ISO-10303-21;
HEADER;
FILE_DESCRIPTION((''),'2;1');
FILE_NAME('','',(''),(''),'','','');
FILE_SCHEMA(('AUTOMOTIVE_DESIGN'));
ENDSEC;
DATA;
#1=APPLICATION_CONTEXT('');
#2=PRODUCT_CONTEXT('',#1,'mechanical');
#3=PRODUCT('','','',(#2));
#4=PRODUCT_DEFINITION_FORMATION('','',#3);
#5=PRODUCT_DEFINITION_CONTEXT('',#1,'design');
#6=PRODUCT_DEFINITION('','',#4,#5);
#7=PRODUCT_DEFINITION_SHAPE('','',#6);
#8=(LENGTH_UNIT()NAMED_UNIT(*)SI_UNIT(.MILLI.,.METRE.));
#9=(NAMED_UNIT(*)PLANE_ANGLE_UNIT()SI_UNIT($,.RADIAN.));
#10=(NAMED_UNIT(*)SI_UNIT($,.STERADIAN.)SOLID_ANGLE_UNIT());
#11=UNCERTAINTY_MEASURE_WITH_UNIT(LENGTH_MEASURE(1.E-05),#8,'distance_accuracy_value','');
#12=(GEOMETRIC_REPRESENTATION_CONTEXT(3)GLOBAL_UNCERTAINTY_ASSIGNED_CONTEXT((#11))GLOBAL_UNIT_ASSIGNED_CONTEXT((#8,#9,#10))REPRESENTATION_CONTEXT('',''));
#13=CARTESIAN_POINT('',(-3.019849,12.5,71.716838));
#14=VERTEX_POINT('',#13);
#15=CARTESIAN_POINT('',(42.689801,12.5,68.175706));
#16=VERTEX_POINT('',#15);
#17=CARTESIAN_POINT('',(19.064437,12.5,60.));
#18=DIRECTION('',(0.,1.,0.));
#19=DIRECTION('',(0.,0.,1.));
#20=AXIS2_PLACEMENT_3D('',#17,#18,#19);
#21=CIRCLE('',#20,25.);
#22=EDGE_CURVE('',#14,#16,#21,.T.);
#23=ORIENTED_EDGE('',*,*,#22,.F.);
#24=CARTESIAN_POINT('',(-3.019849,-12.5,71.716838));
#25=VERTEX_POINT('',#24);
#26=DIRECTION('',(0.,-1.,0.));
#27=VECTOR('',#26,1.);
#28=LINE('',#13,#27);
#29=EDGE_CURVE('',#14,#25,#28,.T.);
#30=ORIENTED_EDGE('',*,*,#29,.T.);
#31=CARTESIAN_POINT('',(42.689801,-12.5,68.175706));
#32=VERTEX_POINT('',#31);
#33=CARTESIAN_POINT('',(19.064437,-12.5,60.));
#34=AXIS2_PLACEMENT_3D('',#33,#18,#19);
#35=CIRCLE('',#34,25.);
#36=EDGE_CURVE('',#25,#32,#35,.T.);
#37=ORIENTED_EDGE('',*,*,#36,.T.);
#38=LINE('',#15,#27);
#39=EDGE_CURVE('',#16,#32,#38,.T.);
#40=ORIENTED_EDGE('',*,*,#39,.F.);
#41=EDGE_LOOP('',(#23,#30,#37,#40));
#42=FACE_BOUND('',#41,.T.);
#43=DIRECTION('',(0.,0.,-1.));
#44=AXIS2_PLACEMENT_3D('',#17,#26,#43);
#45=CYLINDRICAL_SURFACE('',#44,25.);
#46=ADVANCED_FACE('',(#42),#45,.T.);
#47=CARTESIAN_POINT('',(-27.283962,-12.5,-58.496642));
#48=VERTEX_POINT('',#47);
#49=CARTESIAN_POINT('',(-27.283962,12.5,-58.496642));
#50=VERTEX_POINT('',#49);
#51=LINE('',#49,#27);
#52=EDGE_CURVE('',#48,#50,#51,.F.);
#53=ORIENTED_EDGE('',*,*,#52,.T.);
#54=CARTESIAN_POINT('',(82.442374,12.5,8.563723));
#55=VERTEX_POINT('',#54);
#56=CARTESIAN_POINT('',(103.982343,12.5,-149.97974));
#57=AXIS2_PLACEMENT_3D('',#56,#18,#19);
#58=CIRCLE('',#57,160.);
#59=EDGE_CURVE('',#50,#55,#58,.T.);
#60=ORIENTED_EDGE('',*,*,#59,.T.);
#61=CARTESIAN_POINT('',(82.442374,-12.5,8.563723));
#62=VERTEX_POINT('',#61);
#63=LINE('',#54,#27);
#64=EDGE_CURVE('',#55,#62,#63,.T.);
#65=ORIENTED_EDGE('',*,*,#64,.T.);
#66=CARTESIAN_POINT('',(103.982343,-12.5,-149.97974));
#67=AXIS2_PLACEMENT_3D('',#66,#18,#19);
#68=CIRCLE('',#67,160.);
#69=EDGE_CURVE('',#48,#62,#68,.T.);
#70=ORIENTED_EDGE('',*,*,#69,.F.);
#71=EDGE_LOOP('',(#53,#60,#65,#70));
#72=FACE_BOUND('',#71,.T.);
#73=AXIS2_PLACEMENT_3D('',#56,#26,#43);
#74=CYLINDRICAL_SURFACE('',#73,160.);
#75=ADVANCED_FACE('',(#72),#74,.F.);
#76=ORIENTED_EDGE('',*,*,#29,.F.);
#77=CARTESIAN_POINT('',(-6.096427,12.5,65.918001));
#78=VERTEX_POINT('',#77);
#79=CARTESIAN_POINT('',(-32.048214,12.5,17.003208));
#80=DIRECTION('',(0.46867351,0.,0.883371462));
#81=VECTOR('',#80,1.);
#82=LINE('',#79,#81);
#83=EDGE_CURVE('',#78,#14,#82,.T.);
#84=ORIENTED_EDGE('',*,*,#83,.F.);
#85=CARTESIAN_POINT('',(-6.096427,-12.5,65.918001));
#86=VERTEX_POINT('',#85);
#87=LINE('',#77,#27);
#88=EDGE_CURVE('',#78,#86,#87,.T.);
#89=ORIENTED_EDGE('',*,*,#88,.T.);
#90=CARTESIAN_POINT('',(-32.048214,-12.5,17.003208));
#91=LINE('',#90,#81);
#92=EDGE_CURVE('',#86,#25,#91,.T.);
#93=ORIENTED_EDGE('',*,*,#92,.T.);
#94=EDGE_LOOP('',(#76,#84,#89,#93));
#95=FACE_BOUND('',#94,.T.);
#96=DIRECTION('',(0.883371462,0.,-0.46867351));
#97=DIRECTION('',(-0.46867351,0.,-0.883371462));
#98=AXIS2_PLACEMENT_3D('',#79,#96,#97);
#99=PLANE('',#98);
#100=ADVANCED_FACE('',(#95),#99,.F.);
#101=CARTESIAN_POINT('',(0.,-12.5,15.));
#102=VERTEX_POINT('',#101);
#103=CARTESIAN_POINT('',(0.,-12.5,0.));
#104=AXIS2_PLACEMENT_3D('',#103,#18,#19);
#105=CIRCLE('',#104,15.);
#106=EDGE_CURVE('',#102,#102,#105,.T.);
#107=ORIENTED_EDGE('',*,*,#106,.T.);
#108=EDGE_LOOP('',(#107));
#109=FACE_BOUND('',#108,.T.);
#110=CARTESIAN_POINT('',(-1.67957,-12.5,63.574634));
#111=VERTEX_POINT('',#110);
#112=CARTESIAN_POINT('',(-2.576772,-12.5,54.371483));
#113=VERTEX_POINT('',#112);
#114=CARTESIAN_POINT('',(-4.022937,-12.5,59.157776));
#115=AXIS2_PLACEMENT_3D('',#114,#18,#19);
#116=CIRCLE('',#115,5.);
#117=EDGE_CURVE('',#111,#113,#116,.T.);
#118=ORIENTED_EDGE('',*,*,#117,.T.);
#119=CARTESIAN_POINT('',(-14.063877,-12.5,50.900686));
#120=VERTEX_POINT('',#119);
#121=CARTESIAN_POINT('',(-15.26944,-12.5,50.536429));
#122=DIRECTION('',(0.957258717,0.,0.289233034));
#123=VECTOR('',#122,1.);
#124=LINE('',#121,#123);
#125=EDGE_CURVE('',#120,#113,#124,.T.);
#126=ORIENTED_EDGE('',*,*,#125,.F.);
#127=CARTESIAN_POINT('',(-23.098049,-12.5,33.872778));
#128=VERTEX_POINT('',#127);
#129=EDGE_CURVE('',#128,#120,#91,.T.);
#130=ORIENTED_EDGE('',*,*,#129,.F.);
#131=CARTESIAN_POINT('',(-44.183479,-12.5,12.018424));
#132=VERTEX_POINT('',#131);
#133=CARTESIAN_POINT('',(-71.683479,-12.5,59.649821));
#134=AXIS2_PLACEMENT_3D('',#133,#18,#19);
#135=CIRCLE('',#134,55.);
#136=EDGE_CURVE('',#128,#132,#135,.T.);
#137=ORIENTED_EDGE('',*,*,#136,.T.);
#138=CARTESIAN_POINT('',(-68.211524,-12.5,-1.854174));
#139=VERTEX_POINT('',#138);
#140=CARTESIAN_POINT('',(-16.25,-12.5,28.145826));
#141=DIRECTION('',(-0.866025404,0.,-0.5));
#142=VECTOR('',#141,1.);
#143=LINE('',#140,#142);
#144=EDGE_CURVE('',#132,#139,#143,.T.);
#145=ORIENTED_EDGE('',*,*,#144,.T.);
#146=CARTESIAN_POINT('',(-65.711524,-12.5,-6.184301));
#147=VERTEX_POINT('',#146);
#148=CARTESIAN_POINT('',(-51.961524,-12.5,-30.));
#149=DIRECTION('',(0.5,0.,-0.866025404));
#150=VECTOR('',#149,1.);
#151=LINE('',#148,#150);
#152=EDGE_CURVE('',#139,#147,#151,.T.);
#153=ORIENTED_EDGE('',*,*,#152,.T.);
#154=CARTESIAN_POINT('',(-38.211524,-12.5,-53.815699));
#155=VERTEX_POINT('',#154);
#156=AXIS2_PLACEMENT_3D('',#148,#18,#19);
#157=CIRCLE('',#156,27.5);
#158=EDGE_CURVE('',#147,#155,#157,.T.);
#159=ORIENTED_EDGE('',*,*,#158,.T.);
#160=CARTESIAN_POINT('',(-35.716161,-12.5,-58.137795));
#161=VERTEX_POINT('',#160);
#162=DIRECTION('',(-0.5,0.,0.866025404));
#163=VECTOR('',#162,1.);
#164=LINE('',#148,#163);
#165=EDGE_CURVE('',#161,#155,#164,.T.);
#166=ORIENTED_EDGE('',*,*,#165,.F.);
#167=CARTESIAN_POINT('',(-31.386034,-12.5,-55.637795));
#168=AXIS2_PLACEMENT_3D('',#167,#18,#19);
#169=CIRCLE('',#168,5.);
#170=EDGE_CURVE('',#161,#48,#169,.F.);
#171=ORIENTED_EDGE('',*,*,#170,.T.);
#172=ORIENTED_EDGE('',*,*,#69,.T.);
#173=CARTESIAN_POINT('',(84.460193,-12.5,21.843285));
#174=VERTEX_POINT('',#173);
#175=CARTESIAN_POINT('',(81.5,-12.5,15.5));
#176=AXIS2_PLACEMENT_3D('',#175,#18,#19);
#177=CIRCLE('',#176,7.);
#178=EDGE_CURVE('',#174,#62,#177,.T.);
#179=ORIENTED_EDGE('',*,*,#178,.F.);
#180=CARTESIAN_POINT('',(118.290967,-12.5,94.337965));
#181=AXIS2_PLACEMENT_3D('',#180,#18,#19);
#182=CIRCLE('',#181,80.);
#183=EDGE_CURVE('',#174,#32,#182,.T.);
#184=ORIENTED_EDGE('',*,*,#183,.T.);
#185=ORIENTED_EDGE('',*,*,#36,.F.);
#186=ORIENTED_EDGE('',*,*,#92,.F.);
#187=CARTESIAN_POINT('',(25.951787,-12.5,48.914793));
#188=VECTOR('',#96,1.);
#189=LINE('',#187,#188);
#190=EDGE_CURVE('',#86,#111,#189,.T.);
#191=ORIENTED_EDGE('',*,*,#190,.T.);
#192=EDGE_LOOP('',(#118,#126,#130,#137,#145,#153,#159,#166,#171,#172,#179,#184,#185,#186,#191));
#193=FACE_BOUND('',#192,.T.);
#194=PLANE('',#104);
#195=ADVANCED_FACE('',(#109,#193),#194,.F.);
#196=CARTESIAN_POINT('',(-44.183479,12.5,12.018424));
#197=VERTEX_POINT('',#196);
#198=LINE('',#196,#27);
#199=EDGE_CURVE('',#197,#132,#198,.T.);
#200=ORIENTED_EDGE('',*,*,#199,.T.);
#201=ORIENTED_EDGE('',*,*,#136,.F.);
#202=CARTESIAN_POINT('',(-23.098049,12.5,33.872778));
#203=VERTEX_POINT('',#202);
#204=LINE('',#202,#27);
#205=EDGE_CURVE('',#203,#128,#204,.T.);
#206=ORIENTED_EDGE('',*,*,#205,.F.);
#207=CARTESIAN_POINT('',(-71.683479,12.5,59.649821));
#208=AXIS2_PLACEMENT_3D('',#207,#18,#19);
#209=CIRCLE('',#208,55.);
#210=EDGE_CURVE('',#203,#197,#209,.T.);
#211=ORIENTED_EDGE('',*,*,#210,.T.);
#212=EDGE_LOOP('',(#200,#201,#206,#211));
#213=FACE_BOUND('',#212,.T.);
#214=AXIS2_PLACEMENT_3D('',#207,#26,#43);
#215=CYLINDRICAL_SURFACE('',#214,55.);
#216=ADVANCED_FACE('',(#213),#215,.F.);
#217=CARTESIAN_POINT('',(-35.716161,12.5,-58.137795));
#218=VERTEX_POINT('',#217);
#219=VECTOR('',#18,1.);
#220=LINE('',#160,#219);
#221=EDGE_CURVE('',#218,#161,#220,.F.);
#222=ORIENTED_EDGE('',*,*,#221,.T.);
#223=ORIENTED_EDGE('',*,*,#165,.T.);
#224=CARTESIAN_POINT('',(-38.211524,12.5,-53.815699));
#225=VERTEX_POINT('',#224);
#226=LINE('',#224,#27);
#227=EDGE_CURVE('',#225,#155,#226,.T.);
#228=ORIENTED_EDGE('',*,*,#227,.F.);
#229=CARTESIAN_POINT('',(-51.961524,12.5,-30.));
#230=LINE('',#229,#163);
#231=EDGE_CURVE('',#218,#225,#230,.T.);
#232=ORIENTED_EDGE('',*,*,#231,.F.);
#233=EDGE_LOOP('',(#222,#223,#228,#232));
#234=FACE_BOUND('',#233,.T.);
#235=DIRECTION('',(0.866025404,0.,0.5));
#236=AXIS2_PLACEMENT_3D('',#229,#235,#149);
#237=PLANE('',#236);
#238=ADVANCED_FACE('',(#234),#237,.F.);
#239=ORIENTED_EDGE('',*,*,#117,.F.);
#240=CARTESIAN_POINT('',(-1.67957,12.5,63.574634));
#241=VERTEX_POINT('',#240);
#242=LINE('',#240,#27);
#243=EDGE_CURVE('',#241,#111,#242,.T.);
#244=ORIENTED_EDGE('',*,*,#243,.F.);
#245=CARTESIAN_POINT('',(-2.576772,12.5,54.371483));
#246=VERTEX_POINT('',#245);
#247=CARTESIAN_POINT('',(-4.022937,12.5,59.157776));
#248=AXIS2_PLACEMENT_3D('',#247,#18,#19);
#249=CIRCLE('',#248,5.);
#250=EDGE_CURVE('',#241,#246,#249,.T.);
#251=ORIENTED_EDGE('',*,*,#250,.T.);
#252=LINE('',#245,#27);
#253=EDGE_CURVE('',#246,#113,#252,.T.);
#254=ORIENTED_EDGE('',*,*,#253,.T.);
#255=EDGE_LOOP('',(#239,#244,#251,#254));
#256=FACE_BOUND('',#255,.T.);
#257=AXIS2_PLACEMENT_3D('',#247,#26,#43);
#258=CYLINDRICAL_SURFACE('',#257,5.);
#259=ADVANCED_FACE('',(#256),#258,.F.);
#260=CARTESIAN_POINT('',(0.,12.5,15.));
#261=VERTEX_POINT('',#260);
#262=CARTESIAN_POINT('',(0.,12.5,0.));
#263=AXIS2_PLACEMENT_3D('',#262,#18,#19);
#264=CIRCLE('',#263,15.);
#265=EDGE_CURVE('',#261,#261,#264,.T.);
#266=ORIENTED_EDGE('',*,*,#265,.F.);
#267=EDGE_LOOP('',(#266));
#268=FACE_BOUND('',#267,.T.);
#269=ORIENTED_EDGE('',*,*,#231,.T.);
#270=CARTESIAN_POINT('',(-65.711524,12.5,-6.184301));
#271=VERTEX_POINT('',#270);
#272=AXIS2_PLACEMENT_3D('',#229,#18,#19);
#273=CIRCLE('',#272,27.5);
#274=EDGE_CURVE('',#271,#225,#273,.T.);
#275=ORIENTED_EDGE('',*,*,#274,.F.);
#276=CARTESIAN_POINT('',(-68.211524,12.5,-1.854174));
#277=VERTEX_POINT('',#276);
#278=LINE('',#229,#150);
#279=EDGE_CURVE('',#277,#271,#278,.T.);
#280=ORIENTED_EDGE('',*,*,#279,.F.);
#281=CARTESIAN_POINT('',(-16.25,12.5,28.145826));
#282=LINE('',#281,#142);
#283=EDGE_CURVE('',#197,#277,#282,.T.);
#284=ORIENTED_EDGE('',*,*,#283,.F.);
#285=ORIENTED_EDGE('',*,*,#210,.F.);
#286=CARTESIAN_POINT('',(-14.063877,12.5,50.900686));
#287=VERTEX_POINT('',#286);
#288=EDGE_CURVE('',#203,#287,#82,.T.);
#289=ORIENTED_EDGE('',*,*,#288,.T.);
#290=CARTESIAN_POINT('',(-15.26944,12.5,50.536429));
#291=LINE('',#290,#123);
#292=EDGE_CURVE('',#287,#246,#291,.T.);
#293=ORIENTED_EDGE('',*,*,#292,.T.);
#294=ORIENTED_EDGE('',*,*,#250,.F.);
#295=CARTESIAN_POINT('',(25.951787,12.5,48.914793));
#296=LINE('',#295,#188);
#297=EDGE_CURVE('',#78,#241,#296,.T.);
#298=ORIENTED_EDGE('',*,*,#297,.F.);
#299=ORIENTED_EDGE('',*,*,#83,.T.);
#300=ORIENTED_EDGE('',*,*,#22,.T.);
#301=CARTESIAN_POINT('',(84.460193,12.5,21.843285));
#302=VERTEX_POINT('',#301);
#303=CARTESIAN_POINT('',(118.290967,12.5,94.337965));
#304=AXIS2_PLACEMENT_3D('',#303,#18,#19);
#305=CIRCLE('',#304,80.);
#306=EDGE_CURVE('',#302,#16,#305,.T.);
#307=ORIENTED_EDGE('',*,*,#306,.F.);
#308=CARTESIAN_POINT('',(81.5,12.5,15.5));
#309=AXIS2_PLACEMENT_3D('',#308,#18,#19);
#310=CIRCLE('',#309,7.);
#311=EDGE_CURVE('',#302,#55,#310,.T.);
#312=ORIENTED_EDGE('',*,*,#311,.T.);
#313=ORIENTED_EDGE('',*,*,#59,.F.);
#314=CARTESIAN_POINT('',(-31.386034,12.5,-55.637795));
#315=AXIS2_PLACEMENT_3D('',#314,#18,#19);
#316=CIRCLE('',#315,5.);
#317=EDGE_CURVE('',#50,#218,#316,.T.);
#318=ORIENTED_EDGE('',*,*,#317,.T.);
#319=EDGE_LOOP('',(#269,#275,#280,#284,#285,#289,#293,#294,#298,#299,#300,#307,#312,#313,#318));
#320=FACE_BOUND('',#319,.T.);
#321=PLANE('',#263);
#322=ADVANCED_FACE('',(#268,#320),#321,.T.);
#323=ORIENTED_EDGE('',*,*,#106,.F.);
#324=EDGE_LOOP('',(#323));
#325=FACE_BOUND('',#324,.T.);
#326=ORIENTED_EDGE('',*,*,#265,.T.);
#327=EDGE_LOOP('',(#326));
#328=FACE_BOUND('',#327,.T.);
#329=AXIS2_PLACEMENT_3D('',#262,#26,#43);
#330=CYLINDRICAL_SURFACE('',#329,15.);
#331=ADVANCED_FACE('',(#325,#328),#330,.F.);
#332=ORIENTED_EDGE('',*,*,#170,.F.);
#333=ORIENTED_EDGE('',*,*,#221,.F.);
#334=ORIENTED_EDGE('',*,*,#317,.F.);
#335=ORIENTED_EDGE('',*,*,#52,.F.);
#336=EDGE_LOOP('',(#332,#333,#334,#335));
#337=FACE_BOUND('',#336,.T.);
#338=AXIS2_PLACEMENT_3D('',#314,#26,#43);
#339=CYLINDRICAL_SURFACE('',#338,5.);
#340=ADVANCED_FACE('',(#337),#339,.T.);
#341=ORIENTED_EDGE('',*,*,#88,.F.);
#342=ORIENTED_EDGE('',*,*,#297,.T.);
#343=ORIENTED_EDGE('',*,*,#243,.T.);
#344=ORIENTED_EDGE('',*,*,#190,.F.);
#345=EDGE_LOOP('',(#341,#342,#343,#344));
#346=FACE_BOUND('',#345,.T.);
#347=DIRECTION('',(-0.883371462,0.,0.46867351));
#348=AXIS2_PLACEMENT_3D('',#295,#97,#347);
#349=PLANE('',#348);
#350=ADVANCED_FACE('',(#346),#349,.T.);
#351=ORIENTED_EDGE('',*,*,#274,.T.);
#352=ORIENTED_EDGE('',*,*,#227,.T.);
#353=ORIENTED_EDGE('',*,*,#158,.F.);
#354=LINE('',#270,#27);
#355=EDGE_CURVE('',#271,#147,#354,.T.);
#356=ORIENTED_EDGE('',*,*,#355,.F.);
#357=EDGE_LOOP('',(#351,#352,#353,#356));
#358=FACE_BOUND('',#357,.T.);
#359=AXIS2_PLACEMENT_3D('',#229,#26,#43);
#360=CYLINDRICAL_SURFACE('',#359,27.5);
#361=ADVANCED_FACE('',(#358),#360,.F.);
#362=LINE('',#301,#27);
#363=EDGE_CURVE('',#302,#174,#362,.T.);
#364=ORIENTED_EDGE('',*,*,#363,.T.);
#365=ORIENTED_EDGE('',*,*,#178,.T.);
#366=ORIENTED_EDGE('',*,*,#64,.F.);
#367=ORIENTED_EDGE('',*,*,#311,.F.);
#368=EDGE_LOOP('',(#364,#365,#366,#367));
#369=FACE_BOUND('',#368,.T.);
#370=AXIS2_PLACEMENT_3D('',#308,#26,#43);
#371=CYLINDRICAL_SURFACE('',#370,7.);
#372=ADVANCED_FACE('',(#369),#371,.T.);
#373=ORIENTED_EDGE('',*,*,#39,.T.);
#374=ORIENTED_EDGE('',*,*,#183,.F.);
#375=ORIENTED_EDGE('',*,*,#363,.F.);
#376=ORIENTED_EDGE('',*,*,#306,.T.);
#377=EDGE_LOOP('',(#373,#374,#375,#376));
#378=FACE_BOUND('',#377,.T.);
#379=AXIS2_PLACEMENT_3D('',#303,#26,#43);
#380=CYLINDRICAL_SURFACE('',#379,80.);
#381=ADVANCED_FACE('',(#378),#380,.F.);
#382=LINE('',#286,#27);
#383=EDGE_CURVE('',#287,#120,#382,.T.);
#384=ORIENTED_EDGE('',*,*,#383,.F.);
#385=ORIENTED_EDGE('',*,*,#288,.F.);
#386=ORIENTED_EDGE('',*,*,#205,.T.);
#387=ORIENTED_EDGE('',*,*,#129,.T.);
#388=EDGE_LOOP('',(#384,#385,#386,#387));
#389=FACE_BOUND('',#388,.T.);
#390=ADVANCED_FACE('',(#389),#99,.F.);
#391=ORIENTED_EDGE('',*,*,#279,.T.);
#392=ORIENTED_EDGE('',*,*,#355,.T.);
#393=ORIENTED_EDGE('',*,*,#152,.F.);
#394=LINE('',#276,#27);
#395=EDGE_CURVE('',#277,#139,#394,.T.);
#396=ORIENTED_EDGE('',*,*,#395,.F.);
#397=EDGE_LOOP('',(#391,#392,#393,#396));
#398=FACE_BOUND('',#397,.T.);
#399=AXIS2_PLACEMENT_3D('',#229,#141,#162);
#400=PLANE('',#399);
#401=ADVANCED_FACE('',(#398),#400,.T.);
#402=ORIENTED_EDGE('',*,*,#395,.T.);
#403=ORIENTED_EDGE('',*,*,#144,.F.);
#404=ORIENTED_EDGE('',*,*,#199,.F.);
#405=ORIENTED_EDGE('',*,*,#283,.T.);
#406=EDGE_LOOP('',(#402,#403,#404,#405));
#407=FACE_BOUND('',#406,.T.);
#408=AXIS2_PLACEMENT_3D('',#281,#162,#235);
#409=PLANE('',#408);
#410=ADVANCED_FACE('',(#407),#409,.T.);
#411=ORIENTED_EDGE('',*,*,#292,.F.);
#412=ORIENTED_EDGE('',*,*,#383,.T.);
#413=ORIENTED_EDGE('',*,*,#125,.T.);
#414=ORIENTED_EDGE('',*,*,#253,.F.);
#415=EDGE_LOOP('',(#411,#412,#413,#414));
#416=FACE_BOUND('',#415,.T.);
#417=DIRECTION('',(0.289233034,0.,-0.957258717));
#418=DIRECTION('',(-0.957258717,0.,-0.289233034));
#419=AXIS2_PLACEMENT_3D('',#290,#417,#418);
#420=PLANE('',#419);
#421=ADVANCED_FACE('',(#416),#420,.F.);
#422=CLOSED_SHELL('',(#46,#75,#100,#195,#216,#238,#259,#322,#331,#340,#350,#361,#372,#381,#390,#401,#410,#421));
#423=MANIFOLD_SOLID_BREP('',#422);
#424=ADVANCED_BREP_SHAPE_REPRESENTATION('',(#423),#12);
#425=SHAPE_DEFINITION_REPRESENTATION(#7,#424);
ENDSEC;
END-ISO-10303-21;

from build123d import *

# Parameters (mm, degrees)
SKETCH_1_R      = 15
EXTRUDE_1_DEPTH = 12.5
FILLET_1_R      = 5


with BuildPart() as part:
    # 草图1 → 凸台-拉伸1 (new, symmetric)
    with BuildSketch(Plane(origin=(0, 0, 0), x_dir=(1, 0, 0), z_dir=(0, 1, 0))):
        with BuildLine():
            Line((-6.096427139, -65.918001187), (-1.679569826, -63.574633635))
            ThreePointArc((-1.679569826, -63.574633635), (0.953470582, -58.672633233), (-2.576772207, -54.371482736))
            Line((-2.576772207, -54.371482736), (-14.063876814, -50.900686325))
            Line((-14.063876814, -50.900686325), (-23.098048547, -33.872778153))
            ThreePointArc((-23.098048547, -33.872778153), (-32.102531801, -21.461490279), (-44.183478984, -12.018424012))
            Line((-44.183478984, -12.018424012), (-68.211524227, 1.854174377))
            Line((-68.211524227, 1.854174377), (-65.711524227, 6.184301396))
            ThreePointArc((-65.711524227, 6.184301396), (-28.145825623, 16.25), (-38.211524227, 53.815698604))
            Line((-38.211524227, 53.815698604), (-31.672954916, 65.14083286))
            ThreePointArc((-31.672954916, 65.14083286), (17.174057589, 15.576162499), (82.442373664, -8.563723486))
            ThreePointArc((82.442373664, -8.563723486), (88.420562961, -14.448425798), (84.460192724, -21.843284562))
            ThreePointArc((84.460192724, -21.843284562), (58.872866338, -40.770350543), (42.68980144, -68.175706017))
            ThreePointArc((42.68980144, -68.175706017), (20.995404286, -84.925315775), (-3.01984927, -71.716837758))
            Line((-3.01984927, -71.716837758), (-6.096427139, -65.918001187))
        make_face()
        with Locations(Location((0, 0, 0), (0, 0, 270))):
            Circle(SKETCH_1_R, mode=Mode.SUBTRACT)
    extrude(amount=EXTRUDE_1_DEPTH, both=True)

    # 圆角1
    fillet_1_edges = [part.edges().sort_by_distance(p)[0] for p in [
        (-31.672954916, 0, -65.14083286),
    ]]
    fillet(fillet_1_edges, radius=FILLET_1_R)


solid = part.part
